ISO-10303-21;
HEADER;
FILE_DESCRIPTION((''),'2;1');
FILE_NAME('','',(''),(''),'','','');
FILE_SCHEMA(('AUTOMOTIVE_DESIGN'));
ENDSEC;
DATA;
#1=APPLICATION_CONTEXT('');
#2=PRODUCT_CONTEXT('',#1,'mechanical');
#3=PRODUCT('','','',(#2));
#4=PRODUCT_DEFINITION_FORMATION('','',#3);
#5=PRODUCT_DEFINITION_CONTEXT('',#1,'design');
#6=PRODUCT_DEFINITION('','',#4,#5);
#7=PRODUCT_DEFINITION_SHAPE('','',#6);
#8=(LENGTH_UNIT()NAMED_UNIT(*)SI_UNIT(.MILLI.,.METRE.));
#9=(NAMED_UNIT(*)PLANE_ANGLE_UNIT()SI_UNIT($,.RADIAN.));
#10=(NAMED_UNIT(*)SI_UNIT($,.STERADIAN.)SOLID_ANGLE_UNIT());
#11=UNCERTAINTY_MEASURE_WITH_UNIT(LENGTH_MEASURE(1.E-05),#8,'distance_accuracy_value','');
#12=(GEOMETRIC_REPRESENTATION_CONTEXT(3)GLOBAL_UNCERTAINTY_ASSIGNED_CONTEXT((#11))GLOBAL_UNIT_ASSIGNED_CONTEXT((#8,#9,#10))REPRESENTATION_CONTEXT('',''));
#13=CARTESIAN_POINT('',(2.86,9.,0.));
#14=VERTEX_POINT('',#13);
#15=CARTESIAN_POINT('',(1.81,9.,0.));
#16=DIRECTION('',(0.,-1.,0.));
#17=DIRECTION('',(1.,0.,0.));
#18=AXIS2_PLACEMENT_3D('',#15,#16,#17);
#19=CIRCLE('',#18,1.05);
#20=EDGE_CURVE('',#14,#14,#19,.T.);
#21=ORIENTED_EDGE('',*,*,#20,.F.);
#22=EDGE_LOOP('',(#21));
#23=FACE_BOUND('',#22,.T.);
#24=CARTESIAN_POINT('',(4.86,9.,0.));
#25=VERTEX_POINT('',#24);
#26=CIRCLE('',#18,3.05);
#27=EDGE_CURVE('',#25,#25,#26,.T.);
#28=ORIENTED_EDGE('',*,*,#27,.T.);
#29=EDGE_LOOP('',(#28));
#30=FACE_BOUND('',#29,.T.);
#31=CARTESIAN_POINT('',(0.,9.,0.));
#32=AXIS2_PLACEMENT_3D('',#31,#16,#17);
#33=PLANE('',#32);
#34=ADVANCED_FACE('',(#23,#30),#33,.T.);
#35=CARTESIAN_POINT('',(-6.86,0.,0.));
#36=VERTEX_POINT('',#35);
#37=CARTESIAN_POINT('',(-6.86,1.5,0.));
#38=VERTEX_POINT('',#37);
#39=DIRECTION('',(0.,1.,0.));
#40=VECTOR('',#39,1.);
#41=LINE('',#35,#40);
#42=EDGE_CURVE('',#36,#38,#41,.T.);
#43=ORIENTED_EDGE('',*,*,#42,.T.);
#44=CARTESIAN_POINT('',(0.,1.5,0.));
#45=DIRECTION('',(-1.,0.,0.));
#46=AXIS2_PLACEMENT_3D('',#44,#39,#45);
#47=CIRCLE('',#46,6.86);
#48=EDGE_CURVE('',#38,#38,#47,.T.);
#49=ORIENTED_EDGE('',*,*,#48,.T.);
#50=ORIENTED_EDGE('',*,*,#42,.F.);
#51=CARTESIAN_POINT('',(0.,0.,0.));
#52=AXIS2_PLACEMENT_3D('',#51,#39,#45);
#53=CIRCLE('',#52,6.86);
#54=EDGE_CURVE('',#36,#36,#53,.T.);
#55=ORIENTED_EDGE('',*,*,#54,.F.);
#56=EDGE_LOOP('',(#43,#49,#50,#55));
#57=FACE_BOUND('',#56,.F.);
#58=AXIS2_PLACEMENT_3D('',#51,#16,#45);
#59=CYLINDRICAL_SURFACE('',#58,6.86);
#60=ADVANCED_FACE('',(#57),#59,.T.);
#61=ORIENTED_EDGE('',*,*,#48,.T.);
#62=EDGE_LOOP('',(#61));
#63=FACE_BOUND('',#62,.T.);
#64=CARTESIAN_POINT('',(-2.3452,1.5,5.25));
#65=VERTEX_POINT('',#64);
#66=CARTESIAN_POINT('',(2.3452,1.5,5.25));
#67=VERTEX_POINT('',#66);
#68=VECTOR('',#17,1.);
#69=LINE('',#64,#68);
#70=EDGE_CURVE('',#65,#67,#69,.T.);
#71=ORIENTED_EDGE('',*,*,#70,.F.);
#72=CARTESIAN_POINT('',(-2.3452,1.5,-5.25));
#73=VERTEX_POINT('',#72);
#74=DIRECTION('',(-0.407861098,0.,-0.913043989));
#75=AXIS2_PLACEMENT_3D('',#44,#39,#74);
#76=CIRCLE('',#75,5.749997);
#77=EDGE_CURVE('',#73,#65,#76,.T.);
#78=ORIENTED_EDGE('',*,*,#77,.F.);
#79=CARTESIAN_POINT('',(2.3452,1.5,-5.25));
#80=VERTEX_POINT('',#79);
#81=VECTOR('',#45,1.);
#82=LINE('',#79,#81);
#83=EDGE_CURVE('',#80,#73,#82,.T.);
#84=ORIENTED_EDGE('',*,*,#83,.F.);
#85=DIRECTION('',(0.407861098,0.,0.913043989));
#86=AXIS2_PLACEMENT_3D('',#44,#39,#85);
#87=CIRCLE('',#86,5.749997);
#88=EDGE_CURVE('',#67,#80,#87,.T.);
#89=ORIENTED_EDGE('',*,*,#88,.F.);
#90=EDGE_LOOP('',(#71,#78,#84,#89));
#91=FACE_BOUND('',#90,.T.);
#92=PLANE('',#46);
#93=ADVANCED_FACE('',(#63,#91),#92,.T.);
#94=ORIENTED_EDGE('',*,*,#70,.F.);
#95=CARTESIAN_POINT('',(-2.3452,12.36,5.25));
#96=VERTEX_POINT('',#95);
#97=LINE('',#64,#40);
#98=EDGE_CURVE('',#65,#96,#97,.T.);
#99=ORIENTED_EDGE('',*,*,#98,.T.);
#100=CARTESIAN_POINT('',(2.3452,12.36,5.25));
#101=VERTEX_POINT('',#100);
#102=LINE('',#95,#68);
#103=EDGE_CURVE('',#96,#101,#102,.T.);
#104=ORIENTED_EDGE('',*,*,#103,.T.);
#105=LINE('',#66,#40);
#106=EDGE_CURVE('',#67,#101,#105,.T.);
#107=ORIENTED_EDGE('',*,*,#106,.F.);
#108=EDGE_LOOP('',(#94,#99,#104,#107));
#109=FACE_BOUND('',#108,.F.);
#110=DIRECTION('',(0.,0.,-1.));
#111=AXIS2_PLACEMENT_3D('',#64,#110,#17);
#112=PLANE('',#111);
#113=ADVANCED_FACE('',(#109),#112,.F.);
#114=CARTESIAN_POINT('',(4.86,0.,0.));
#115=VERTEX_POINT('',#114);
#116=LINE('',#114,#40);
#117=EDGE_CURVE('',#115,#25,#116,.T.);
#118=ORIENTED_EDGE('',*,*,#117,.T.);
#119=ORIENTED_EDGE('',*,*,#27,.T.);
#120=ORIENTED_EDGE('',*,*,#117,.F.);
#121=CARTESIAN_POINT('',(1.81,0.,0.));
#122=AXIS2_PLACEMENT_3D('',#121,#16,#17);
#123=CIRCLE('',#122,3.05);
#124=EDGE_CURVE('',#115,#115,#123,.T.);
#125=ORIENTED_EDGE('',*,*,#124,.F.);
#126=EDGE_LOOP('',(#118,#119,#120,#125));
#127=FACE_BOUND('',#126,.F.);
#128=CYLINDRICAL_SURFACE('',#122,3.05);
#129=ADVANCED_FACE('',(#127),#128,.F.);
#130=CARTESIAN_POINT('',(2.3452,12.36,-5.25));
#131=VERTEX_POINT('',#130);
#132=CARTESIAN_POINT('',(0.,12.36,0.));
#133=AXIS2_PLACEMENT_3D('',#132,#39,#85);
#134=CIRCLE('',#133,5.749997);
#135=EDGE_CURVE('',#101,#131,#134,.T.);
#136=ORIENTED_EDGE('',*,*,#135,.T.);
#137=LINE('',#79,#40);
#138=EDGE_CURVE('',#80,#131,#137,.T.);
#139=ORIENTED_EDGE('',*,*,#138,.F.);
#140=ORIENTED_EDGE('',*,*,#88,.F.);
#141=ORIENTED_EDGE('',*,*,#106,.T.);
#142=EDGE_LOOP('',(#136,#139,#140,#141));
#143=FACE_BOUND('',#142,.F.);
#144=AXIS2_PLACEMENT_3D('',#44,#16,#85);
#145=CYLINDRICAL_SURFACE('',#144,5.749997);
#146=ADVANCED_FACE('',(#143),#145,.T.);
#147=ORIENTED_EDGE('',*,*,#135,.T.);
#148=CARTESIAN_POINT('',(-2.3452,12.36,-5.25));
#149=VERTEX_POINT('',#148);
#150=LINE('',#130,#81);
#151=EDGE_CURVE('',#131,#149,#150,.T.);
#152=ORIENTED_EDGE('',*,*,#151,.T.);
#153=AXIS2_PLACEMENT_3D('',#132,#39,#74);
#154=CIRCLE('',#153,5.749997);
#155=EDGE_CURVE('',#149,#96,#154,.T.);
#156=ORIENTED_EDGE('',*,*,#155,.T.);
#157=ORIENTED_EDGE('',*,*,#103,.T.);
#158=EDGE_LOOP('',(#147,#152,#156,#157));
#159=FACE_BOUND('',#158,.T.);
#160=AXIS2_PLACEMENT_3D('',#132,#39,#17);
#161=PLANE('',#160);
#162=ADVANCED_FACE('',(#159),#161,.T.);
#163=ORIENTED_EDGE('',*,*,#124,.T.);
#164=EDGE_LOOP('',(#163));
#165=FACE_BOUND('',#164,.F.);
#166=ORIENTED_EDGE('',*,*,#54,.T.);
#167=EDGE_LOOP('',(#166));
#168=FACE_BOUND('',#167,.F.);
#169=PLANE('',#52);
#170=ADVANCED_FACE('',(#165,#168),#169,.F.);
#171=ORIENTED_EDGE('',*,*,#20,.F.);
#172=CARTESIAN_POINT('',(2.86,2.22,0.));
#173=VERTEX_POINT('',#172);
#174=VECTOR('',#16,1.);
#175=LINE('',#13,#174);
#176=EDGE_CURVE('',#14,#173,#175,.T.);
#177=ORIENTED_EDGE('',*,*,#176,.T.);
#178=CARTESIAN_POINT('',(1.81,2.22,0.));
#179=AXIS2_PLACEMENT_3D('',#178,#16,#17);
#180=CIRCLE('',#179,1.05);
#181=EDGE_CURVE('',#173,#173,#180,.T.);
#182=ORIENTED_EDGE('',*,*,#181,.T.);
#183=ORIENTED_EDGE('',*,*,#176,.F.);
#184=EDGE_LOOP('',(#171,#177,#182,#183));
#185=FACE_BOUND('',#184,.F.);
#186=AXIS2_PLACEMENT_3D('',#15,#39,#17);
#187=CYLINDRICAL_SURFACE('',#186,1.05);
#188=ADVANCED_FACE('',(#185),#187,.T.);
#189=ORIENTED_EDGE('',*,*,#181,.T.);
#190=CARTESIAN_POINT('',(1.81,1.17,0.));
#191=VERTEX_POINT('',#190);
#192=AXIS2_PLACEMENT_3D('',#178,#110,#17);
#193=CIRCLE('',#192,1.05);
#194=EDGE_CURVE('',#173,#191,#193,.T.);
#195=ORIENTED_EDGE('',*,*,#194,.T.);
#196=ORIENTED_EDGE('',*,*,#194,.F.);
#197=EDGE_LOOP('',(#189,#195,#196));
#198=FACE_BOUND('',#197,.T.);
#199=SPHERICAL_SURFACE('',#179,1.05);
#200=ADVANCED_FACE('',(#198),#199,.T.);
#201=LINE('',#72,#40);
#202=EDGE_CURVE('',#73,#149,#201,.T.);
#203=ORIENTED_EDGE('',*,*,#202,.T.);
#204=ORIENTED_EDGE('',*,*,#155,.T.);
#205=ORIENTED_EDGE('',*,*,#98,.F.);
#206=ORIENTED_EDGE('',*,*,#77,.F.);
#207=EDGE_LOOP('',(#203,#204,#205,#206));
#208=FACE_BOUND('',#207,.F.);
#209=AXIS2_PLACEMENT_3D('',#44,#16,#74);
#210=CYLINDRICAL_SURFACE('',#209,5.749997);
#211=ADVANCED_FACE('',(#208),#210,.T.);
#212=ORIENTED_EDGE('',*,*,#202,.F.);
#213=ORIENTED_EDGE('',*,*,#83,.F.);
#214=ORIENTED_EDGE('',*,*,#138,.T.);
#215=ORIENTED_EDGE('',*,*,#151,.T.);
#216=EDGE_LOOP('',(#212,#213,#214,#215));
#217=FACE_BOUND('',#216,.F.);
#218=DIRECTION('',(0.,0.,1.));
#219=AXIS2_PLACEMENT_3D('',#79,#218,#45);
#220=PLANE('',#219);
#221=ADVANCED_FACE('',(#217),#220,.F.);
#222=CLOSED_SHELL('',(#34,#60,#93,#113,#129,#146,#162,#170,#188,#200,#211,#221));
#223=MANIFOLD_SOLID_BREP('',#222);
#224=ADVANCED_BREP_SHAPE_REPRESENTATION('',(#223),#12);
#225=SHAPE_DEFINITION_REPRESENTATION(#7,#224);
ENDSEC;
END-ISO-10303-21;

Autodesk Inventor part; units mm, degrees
ref_plane "YZ Plane" through (0, 0, 0) normal (1, 0, 0) x (0, 1, 0)
ref_plane "XZ Plane" through (0, 0, 0) normal (0, 1, 0) x (-1, 0, 0)
ref_plane "XY Plane" through (0, 0, 0) normal (0, 0, 1) x (1, 0, 0)
sketch "Sketch1" plane through (0, 0, 0) normal (0, 1, 0) x (-1, 0, 0)
  circle A0 centre (0, 0) radius 6.86
  dimension "d0" = 13.72
extrude "Extrusion1" add sketch "Sketch1" along normal blind 1.5
sketch "Sketch2" plane through (0, 1.5, 0) normal (0, 1, 0) x (1, 0, 0)
  line L0 (-2.3452, -5.25) -> (2.3452, -5.25)
  line L1 (2.3452, 5.25) -> (-2.3452, 5.25)
  line L2 (0, 0) -> (0, 5.25) construction
  line L3 (0, 0) -> (0, -5.25) construction
  arc A0 (2.3452, -5.25) -> (2.3452, 5.25) centre (0, 0) ccw
  arc A1 (-2.3452, 5.25) -> (-2.3452, -5.25) centre (0, 0) ccw
  dimension "Barrel_Flat_Width" = 10.5
  dimension "d5" = 5.75
extrude "Extrusion2" add sketch "Sketch2" along normal blind 10.86
thread "Thread1" size "M12x0.75" class "6g" standard "ANSI Metric M Profile" full length
thread "Thread2" size "M12x0.75" class "6g" standard "ANSI Metric M Profile" full length
sketch "Sketch3" plane through (0, 0, 0) normal (0, -1, 0) x (1, 0, 0)
  circle A0 centre (1.81, 0) radius 3.05
  line L0 (0, 0) -> (1.81, 0) construction
  circle A1 centre (0, 0) radius 6.86 construction
  dimension "d12" = 6.1
  dimension "d14" = 2
extrude "Extrusion3" cut sketch "Sketch3" against normal blind 9
sketch "Sketch4" plane through (1.81, 9, 0) normal (0, -1, 0) x (1, 0, 0)
  circle A0 centre (0, 0) radius 3.05 construction
  circle A1 centre (0, 0) radius 1.05
  point P0 (-1.81, 0)
  dimension "d17" = 2.1
extrude "Extrusion4" add sketch "Sketch4" along normal blind 7.83
fillet "Fillet1" radius 1.05 1 edges at (0.76, 1.17, 0)
properties part number "Barrel_Jack" material "PC/ABS Plastic"
